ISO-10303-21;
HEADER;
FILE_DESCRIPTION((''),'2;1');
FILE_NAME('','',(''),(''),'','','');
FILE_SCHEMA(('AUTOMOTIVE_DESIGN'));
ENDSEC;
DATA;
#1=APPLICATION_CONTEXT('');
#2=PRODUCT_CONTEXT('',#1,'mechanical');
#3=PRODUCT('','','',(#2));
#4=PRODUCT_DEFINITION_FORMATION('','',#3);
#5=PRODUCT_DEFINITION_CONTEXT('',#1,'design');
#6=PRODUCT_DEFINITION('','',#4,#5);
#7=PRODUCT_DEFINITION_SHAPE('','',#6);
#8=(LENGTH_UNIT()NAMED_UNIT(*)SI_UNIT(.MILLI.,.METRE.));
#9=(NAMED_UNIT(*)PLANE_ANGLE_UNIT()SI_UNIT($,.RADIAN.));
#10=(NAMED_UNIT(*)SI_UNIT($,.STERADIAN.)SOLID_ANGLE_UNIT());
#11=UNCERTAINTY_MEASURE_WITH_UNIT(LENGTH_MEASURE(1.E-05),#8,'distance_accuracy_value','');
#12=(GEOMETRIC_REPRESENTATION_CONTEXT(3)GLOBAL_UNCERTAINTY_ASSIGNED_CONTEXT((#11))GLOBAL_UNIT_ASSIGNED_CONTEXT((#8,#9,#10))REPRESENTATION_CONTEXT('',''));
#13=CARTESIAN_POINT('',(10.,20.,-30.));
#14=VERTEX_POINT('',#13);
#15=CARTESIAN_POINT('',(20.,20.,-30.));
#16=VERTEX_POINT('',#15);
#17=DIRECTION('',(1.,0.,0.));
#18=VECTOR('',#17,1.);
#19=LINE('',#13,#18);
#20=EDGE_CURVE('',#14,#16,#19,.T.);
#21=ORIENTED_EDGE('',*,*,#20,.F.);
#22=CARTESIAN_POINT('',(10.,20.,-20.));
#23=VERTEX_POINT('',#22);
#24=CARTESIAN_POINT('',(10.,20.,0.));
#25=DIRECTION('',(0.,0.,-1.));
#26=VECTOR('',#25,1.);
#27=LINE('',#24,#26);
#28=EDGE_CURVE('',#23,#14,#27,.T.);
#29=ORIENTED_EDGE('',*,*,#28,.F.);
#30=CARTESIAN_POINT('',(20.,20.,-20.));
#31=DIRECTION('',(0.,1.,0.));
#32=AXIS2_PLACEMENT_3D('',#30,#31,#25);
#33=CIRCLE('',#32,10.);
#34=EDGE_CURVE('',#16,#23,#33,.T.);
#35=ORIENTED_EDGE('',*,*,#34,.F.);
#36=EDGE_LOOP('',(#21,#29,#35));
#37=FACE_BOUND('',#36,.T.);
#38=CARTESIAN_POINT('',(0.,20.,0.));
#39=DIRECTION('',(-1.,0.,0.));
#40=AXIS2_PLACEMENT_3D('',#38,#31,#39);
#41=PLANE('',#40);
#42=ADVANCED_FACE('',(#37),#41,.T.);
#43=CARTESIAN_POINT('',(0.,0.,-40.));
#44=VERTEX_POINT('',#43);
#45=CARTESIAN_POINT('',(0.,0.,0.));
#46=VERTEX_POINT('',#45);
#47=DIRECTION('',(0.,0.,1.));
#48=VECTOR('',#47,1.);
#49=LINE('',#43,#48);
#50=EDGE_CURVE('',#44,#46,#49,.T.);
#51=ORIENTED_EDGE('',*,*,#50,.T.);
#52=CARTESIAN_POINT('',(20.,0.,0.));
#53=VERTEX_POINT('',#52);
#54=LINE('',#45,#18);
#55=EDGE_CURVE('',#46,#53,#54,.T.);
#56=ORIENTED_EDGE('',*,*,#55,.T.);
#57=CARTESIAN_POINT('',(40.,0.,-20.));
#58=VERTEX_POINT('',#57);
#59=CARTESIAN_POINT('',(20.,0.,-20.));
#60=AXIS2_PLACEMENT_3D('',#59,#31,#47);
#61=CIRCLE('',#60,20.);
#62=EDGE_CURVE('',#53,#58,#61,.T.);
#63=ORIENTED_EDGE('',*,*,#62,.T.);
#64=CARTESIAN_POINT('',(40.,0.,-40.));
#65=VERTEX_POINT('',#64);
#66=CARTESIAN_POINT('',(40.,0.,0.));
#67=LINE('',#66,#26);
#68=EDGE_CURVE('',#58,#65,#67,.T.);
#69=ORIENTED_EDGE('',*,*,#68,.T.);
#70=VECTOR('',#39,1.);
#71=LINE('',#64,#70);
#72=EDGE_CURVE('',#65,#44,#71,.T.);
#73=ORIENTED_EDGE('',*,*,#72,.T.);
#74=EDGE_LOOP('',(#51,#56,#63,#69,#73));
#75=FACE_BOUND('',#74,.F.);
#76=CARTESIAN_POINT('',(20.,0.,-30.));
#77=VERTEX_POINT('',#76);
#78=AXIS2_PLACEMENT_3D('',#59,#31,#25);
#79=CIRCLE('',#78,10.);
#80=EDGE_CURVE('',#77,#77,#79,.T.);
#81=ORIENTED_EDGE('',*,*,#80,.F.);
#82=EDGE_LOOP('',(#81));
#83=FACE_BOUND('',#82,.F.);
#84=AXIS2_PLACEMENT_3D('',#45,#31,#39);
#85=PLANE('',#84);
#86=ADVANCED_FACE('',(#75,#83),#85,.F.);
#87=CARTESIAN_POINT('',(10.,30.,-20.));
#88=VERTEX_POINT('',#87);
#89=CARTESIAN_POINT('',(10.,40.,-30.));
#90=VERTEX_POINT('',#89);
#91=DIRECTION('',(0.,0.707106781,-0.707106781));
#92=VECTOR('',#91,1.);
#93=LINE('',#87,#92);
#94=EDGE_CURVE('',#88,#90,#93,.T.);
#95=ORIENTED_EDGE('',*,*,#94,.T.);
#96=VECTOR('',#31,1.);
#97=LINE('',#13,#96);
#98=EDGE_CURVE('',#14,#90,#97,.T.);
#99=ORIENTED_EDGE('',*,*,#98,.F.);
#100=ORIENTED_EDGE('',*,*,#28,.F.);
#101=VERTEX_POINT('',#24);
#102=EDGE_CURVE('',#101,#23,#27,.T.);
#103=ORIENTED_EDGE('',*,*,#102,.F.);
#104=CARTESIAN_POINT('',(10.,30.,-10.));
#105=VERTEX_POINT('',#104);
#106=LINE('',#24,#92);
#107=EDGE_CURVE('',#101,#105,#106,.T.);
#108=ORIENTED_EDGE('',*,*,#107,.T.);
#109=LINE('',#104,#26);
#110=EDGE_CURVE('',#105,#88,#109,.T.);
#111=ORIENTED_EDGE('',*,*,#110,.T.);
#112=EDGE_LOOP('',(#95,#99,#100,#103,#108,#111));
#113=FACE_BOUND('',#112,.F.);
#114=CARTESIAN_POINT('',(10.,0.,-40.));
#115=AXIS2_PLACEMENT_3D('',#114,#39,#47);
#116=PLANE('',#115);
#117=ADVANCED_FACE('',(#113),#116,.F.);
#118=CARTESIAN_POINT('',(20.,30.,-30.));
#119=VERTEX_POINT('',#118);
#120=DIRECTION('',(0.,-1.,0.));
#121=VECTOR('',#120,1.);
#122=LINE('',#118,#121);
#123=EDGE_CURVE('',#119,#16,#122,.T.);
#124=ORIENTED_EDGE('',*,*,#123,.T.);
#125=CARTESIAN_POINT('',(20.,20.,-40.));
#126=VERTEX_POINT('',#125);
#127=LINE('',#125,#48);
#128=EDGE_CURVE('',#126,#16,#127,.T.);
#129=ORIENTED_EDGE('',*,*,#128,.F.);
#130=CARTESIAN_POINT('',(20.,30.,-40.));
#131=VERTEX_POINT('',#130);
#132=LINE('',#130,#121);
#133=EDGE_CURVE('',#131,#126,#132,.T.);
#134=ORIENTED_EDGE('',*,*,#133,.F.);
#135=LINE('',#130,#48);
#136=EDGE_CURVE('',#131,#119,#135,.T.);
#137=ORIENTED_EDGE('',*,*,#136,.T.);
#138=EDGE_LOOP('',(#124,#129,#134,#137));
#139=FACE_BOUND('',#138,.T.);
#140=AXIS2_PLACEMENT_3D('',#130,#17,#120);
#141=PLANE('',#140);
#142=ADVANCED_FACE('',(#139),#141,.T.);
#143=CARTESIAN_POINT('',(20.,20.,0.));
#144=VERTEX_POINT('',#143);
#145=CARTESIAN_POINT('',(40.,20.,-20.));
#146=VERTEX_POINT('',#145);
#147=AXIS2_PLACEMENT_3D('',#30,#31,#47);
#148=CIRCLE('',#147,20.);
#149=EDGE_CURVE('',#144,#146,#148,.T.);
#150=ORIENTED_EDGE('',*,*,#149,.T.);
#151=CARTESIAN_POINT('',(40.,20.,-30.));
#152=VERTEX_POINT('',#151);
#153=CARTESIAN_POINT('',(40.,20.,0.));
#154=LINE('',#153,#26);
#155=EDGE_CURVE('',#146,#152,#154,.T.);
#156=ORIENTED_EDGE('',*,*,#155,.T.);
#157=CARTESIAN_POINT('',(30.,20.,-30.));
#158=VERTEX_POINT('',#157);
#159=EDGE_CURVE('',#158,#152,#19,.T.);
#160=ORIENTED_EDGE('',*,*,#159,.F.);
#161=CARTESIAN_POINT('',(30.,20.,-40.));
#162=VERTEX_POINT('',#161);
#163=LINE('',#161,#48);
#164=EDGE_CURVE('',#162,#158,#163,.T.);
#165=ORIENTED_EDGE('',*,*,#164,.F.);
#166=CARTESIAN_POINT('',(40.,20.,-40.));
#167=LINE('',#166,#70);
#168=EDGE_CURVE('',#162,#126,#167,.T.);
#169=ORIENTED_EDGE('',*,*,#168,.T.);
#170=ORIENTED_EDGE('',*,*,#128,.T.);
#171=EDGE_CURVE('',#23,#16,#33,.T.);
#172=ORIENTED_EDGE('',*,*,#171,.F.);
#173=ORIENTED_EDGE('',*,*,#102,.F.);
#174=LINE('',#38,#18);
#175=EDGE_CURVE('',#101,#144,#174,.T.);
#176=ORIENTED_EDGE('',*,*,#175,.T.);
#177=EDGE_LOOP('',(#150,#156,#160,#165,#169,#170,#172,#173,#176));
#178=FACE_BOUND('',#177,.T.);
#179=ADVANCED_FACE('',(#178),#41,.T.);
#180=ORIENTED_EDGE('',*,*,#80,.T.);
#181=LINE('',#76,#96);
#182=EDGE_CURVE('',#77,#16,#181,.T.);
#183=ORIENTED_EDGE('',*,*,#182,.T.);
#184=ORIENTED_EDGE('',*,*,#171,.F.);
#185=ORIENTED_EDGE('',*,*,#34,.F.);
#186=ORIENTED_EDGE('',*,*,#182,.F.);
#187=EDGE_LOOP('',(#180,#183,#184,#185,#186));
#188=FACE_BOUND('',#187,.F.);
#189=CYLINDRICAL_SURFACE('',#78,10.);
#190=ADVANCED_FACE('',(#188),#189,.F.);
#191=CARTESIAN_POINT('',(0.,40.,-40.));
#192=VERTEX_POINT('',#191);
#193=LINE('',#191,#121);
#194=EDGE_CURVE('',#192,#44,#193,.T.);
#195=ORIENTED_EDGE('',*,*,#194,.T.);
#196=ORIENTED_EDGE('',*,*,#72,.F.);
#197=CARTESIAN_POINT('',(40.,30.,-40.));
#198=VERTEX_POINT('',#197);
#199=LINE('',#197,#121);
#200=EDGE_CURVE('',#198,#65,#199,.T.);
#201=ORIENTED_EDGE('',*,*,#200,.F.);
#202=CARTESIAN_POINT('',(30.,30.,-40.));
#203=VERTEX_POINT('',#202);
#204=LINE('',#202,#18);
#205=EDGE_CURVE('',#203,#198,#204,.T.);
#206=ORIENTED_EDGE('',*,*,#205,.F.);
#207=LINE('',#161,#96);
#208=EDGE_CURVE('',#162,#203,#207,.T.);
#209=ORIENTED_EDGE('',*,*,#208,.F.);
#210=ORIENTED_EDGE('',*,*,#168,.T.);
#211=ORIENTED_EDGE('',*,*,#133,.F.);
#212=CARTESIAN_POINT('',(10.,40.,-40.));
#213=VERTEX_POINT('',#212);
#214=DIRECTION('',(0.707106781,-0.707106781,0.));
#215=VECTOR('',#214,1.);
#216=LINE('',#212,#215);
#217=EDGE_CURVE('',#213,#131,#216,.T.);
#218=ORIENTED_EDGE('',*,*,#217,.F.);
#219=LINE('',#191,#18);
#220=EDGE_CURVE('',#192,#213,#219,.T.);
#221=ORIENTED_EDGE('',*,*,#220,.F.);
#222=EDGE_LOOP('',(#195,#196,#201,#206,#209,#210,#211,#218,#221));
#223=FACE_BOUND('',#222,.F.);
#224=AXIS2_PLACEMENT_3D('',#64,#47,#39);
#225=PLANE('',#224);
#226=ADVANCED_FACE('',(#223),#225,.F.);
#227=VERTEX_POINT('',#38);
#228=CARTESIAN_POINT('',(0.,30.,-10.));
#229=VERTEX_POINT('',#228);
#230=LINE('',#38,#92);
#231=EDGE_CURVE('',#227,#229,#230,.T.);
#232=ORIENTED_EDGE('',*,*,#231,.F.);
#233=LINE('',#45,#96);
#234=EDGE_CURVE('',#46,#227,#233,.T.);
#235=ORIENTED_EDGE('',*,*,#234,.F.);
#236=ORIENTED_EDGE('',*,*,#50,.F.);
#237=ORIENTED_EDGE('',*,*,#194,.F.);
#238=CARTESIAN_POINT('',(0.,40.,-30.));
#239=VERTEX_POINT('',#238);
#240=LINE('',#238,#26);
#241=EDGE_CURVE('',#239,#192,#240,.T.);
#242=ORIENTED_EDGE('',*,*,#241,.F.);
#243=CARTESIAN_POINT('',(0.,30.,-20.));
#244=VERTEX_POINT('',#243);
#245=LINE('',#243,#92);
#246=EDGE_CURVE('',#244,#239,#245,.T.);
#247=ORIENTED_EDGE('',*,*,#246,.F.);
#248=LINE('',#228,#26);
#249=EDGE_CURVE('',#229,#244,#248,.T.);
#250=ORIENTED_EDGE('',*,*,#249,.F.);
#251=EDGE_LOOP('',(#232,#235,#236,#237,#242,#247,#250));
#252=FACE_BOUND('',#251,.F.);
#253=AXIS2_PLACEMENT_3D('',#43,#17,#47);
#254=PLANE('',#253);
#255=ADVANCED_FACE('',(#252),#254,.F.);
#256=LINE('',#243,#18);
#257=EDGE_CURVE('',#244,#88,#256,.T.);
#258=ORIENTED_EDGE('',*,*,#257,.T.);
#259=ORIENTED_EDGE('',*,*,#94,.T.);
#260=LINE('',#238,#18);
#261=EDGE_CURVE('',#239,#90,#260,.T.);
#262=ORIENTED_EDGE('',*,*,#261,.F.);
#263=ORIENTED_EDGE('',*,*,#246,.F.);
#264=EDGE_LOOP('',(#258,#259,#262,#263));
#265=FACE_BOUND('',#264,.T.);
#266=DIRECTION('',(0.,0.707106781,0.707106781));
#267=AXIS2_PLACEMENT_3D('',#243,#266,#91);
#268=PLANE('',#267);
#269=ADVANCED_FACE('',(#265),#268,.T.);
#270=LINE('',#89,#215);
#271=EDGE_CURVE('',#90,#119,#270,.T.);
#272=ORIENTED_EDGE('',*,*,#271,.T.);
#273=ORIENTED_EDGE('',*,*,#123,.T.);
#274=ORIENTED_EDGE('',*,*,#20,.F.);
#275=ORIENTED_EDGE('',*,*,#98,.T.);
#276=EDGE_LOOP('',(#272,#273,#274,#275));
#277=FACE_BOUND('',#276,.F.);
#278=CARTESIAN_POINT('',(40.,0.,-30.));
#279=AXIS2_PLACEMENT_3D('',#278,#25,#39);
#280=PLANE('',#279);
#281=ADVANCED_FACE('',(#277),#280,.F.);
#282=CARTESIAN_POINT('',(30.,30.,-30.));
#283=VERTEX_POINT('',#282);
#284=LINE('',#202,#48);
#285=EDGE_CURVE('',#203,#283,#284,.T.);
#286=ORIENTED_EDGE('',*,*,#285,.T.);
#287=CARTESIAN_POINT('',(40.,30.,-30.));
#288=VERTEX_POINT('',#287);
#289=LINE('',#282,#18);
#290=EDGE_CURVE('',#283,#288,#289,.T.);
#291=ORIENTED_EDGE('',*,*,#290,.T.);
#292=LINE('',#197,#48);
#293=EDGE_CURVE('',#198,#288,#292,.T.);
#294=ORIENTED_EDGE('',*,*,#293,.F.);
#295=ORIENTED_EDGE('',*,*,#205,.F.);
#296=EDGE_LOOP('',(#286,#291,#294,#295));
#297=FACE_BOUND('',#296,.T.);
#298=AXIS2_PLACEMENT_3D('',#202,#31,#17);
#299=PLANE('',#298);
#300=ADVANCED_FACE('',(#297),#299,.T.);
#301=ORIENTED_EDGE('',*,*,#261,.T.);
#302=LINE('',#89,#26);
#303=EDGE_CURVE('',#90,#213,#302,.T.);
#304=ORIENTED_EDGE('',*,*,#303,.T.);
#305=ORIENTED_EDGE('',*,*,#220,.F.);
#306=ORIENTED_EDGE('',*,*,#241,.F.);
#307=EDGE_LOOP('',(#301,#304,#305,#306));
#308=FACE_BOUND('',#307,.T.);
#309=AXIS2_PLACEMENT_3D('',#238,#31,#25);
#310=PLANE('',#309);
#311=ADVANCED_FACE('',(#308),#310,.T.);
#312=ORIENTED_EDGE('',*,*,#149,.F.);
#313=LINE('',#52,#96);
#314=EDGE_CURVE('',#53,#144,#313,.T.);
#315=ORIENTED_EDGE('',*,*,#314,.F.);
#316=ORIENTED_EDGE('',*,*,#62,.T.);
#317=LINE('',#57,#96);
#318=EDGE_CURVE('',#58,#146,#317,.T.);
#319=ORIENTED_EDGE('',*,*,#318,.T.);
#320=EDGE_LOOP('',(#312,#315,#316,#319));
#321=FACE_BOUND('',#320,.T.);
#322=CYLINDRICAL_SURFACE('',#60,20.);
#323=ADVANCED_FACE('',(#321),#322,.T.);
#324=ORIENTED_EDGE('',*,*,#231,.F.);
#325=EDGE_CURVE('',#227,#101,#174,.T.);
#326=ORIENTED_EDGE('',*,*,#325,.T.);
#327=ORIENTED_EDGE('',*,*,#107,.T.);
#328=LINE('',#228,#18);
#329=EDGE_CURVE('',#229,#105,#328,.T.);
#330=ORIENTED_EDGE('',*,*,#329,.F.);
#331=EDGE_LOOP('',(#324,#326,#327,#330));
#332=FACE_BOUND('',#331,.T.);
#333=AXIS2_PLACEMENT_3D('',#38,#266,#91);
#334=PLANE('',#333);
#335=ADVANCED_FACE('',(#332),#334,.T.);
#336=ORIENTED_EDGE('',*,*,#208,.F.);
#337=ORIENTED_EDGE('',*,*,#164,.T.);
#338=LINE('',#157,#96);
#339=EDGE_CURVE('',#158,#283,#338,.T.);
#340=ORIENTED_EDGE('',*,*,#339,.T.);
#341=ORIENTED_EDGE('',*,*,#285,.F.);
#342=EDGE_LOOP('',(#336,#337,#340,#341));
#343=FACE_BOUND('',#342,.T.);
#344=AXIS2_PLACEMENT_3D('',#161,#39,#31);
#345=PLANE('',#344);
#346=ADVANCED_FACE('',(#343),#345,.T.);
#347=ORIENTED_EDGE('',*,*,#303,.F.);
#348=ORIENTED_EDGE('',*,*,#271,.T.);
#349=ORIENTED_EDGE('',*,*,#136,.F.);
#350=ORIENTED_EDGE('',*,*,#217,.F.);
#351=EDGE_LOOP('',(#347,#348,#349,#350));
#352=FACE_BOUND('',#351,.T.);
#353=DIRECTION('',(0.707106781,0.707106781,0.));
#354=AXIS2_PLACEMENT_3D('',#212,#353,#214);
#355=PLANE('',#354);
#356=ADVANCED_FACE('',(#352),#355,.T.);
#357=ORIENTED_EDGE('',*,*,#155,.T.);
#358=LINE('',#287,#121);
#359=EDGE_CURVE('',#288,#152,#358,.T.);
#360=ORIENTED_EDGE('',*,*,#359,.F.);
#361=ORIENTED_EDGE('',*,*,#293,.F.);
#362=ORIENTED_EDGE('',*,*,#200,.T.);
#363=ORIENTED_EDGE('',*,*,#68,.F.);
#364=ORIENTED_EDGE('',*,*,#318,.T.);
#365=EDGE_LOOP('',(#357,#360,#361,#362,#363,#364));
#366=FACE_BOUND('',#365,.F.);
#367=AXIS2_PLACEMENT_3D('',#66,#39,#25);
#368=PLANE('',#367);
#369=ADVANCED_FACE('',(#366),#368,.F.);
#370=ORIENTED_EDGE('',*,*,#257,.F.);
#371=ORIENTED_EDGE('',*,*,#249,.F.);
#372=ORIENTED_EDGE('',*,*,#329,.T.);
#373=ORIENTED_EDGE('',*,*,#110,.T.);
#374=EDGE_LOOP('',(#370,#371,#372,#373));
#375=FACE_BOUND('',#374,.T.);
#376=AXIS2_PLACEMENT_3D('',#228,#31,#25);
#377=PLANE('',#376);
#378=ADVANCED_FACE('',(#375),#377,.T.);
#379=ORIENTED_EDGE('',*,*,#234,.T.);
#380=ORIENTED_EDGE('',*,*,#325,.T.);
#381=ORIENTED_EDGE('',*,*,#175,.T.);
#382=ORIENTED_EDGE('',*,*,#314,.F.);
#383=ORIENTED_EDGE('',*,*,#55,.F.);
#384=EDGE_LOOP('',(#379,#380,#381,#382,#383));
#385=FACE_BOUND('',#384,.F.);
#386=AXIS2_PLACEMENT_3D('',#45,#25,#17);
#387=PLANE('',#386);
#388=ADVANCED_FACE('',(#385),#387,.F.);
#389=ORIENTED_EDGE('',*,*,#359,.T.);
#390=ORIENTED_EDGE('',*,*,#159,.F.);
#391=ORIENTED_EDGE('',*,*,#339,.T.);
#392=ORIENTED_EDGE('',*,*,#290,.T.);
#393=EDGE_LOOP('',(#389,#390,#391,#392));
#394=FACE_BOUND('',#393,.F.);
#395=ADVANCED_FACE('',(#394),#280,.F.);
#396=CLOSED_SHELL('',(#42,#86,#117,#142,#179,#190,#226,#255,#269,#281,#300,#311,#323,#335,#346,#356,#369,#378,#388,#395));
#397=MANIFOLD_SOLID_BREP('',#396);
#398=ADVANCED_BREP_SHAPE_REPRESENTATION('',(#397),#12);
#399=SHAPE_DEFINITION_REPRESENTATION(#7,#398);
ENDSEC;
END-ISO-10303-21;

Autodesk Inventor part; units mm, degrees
ref_plane "YZ Plane" through (0, 0, 0) normal (1, 0, 0) x (0, 1, 0)
ref_plane "XZ Plane" through (0, 0, 0) normal (0, 1, 0) x (-1, 0, 0)
ref_plane "XY Plane" through (0, 0, 0) normal (0, 0, 1) x (1, 0, 0)
sketch "草圖1" plane through (0, 0, 0) normal (0, 1, 0) x (-1, 0, 0)
  line L0 (0, 0) -> (-40, 0)
  line L1 (-40, 0) -> (-40, -40)
  line L2 (-40, -40) -> (0, -40)
  line L3 (0, -40) -> (0, 0)
  dimension "d0" = 40
  dimension "d1" = 40
extrude "擠出1" add sketch "草圖1" along normal blind 20
sketch "草圖2" plane through (0, 0, -40) normal (-1, 0, 0) x (0, 0, 1)
  line L0 (40, 20) -> (30, 30)
  line L1 (30, 30) -> (20, 30)
  line L2 (20, 30) -> (10, 40)
  line L3 (10, 40) -> (0, 40)
  line L4 (40, 20) -> (0, 20) projected
  line L5 (0, 40) -> (0, 20)
  point P0 (40, 0)
  dimension "d4" = 20
  dimension "d5" = 10
  dimension "d6" = 10
  dimension "d7" = 10
  dimension "d8" = 10
extrude "擠出2" add sketch "草圖2" against normal blind 10
sketch "草圖3" plane through (40, 0, -40) normal (0, 0, -1) x (-1, 0, 0)
  line L0 (40, 40) -> (30, 40) projected
  line L1 (30, 40) -> (20, 30)
  line L2 (20, 30) -> (20, 20)
  line L3 (30, 20) -> (0, 20) projected
  line L4 (30, 20) -> (30, 40)
  line L5 (30, 40) -> (30, 30) projected
  line L6 (20, 20) -> (30, 20)
  line L7 (0, 20) -> (10, 20)
  line L8 (10, 20) -> (10, 30)
  line L9 (10, 30) -> (0, 30)
  line L10 (0, 30) -> (0, 20)
  point P0 (40, 0)
  dimension "d11" = 10
  dimension "d12" = 10
  dimension "d13" = 10
  dimension "d14" = 10
extrude "擠出3" add sketch "草圖3" against normal blind 10
fillet "圓角1" radius 20 1 edges at (40, 10, 0)
hole "孔1" at (20, 0, -20) direction (0, 1, 0) diameter 20 depth 20 tip angle 118
properties part number "20"
